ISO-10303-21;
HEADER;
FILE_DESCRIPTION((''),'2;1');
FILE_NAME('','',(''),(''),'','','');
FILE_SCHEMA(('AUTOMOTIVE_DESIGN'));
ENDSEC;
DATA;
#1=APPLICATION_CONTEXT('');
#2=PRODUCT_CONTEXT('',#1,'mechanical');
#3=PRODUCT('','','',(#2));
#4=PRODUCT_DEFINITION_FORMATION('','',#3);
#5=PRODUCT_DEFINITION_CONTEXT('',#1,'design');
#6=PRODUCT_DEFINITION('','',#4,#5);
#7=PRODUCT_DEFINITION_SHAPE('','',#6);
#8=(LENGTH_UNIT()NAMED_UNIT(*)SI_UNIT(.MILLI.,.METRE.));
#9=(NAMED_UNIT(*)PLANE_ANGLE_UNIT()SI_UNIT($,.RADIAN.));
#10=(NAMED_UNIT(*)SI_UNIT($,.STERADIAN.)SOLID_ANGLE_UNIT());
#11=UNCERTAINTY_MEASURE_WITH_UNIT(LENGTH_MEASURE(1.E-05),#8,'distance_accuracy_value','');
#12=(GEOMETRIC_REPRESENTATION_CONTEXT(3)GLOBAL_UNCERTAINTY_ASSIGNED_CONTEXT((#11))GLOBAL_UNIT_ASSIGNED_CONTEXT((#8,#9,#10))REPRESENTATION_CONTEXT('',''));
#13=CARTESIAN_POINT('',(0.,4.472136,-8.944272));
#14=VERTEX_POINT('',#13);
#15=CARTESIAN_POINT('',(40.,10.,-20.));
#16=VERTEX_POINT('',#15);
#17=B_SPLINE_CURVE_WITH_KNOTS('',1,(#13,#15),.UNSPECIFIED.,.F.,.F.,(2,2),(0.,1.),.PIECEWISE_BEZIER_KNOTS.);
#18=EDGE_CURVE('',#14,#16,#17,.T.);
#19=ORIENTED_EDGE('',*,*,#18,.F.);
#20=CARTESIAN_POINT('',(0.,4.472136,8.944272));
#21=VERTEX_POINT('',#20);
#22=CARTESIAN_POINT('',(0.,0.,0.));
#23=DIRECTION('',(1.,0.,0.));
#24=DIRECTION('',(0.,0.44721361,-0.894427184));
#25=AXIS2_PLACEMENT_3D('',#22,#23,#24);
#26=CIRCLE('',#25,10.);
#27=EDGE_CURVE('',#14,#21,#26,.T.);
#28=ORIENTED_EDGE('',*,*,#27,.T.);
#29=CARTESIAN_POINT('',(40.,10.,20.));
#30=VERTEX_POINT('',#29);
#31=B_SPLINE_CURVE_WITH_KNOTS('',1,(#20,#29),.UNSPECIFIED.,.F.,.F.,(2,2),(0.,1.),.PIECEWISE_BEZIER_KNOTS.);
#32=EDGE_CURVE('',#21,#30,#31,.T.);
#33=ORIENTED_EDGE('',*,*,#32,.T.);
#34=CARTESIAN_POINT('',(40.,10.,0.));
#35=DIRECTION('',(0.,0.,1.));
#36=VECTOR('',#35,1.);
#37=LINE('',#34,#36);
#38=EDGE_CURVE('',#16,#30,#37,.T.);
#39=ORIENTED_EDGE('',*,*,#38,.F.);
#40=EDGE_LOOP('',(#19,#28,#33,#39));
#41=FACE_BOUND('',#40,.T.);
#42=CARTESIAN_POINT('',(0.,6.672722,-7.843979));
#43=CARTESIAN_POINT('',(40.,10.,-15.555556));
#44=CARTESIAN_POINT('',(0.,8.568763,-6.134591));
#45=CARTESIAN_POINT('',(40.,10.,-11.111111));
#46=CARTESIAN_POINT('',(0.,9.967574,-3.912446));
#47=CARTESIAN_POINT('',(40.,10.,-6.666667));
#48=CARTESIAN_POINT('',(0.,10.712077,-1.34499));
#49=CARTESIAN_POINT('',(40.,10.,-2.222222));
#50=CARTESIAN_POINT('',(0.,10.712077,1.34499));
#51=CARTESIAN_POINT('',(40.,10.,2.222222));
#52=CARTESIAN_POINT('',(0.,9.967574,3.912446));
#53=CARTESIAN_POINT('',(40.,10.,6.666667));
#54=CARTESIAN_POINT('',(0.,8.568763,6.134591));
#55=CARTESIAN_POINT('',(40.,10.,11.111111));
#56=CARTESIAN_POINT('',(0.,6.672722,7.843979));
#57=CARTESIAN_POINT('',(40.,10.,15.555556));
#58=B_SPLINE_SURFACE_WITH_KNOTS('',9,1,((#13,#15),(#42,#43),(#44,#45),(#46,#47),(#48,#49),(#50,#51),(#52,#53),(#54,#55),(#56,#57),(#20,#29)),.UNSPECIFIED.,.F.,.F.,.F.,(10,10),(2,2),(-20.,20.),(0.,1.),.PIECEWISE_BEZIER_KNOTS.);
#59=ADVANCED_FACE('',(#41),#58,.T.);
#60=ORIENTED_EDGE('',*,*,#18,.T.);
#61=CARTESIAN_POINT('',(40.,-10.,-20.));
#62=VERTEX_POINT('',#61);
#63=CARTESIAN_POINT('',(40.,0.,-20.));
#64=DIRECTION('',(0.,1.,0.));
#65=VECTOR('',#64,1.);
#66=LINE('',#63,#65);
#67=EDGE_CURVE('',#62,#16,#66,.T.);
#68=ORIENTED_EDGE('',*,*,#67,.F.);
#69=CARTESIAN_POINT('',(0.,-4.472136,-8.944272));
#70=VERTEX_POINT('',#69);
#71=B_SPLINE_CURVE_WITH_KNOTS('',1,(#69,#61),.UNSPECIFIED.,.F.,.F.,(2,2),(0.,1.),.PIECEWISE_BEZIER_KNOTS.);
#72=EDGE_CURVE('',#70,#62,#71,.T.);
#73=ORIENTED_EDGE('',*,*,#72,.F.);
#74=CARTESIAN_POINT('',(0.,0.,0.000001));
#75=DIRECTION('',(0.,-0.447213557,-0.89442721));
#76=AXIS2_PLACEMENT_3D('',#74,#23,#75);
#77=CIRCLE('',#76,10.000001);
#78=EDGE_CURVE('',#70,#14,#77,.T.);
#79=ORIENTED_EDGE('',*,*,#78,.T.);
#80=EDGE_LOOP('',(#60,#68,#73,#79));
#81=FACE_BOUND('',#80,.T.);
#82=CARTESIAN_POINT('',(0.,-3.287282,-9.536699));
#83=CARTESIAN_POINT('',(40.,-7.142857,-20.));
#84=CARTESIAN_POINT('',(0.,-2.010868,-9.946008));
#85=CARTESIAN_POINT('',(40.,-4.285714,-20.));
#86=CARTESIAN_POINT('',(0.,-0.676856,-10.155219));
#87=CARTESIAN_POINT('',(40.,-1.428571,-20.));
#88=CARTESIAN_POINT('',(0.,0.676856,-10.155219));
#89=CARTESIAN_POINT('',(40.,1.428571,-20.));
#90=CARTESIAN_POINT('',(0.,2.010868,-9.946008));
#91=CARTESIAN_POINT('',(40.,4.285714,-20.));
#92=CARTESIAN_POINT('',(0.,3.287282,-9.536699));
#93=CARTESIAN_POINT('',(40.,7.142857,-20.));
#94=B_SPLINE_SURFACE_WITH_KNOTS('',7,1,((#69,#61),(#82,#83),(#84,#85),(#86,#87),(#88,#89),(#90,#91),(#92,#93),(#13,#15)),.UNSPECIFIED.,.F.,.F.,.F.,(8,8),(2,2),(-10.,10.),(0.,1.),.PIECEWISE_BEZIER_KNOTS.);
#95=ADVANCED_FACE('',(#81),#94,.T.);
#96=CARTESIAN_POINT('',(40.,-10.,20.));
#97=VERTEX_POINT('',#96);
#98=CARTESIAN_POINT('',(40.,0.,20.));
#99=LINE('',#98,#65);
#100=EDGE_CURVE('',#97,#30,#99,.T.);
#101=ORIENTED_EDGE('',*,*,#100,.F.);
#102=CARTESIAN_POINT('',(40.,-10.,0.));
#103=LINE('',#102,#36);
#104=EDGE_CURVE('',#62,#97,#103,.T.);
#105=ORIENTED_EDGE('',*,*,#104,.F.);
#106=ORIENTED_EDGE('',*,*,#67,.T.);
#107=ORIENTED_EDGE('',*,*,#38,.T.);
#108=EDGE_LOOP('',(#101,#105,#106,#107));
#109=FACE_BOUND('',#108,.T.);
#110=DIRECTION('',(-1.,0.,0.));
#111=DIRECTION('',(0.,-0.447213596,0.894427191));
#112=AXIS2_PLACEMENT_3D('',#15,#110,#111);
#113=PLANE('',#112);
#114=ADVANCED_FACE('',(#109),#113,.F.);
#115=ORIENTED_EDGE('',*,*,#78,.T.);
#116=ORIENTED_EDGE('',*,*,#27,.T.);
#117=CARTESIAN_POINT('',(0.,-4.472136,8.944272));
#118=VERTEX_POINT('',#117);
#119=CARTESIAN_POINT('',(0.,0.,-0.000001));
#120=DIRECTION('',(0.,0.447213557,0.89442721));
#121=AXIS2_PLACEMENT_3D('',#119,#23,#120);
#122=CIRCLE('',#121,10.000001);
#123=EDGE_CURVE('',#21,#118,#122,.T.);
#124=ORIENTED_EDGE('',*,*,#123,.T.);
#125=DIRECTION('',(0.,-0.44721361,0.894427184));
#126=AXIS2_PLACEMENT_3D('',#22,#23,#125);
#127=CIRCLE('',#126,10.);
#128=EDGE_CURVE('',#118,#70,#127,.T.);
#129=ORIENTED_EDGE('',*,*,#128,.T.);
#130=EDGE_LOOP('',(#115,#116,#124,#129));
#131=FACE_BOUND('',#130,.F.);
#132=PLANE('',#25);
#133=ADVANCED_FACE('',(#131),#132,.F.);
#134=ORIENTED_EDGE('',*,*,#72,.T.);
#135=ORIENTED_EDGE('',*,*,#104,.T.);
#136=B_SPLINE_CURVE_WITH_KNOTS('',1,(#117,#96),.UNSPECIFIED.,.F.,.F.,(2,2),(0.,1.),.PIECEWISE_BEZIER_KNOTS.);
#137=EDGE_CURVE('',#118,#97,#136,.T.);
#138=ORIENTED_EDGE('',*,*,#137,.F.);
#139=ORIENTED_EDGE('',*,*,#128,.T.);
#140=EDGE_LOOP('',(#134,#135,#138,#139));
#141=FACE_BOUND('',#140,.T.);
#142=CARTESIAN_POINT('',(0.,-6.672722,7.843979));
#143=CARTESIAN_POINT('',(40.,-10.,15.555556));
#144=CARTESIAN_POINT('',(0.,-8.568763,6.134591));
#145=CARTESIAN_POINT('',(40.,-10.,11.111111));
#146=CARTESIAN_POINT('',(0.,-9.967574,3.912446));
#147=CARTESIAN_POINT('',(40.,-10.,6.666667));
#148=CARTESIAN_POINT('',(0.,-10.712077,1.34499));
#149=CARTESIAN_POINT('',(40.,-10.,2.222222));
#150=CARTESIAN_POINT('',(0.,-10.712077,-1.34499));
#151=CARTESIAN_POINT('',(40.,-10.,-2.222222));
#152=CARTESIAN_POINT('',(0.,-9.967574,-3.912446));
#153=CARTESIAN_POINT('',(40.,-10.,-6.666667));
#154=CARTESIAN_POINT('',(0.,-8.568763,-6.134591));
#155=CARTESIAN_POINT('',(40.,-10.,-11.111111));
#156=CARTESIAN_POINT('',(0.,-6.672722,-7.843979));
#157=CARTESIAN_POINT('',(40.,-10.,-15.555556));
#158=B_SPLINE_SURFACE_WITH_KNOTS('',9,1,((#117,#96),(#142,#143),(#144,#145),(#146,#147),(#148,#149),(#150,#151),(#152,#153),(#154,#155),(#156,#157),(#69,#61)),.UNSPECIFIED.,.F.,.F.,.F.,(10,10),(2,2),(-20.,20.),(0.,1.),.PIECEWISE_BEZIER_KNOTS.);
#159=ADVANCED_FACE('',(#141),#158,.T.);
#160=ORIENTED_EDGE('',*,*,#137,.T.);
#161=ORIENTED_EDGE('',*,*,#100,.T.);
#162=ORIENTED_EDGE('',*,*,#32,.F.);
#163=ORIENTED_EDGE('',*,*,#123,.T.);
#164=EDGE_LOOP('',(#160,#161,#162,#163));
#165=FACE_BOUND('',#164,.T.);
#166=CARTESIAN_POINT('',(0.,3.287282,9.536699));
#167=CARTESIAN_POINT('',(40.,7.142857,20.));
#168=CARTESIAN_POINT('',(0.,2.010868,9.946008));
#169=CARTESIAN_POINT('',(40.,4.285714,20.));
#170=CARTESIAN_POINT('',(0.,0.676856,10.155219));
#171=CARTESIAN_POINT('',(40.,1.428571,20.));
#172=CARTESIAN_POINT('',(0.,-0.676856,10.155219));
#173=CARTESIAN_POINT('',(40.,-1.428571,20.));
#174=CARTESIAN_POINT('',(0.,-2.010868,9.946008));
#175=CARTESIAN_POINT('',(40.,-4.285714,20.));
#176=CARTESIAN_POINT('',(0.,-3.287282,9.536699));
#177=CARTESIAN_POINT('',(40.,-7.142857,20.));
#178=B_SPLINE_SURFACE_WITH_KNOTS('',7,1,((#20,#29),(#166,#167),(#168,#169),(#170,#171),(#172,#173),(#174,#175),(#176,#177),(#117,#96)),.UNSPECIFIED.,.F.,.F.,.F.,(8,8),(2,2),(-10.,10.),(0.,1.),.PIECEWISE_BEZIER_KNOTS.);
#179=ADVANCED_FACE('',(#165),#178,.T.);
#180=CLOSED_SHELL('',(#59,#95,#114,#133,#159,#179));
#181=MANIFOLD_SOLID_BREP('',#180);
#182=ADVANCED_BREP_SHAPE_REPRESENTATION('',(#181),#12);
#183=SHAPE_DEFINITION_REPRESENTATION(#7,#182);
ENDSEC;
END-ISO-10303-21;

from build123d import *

# Parameters (mm, degrees)
F2_W = 20
F2_H = 40


with BuildPart() as f3:
    # F0 (on Right) → F3 section 0
    with BuildSketch(Plane.YZ):
        with BuildLine():
            ThreePointArc((4.472136, -8.944272), (10, 0), (4.472136, 8.944272))
            ThreePointArc((4.472136, 8.944272), (0, 10), (-4.472136, 8.944272))
            ThreePointArc((-4.472136, 8.944272), (-10, 0), (-4.472136, -8.944272))
            ThreePointArc((-4.472136, -8.944272), (0, -10), (4.472136, -8.944272))
        make_face()
    # F2 (on offset) → F3 section 1
    with BuildSketch(Plane.YZ.offset(40)):
        Rectangle(F2_W, F2_H)
    loft()


solid = f3.part
